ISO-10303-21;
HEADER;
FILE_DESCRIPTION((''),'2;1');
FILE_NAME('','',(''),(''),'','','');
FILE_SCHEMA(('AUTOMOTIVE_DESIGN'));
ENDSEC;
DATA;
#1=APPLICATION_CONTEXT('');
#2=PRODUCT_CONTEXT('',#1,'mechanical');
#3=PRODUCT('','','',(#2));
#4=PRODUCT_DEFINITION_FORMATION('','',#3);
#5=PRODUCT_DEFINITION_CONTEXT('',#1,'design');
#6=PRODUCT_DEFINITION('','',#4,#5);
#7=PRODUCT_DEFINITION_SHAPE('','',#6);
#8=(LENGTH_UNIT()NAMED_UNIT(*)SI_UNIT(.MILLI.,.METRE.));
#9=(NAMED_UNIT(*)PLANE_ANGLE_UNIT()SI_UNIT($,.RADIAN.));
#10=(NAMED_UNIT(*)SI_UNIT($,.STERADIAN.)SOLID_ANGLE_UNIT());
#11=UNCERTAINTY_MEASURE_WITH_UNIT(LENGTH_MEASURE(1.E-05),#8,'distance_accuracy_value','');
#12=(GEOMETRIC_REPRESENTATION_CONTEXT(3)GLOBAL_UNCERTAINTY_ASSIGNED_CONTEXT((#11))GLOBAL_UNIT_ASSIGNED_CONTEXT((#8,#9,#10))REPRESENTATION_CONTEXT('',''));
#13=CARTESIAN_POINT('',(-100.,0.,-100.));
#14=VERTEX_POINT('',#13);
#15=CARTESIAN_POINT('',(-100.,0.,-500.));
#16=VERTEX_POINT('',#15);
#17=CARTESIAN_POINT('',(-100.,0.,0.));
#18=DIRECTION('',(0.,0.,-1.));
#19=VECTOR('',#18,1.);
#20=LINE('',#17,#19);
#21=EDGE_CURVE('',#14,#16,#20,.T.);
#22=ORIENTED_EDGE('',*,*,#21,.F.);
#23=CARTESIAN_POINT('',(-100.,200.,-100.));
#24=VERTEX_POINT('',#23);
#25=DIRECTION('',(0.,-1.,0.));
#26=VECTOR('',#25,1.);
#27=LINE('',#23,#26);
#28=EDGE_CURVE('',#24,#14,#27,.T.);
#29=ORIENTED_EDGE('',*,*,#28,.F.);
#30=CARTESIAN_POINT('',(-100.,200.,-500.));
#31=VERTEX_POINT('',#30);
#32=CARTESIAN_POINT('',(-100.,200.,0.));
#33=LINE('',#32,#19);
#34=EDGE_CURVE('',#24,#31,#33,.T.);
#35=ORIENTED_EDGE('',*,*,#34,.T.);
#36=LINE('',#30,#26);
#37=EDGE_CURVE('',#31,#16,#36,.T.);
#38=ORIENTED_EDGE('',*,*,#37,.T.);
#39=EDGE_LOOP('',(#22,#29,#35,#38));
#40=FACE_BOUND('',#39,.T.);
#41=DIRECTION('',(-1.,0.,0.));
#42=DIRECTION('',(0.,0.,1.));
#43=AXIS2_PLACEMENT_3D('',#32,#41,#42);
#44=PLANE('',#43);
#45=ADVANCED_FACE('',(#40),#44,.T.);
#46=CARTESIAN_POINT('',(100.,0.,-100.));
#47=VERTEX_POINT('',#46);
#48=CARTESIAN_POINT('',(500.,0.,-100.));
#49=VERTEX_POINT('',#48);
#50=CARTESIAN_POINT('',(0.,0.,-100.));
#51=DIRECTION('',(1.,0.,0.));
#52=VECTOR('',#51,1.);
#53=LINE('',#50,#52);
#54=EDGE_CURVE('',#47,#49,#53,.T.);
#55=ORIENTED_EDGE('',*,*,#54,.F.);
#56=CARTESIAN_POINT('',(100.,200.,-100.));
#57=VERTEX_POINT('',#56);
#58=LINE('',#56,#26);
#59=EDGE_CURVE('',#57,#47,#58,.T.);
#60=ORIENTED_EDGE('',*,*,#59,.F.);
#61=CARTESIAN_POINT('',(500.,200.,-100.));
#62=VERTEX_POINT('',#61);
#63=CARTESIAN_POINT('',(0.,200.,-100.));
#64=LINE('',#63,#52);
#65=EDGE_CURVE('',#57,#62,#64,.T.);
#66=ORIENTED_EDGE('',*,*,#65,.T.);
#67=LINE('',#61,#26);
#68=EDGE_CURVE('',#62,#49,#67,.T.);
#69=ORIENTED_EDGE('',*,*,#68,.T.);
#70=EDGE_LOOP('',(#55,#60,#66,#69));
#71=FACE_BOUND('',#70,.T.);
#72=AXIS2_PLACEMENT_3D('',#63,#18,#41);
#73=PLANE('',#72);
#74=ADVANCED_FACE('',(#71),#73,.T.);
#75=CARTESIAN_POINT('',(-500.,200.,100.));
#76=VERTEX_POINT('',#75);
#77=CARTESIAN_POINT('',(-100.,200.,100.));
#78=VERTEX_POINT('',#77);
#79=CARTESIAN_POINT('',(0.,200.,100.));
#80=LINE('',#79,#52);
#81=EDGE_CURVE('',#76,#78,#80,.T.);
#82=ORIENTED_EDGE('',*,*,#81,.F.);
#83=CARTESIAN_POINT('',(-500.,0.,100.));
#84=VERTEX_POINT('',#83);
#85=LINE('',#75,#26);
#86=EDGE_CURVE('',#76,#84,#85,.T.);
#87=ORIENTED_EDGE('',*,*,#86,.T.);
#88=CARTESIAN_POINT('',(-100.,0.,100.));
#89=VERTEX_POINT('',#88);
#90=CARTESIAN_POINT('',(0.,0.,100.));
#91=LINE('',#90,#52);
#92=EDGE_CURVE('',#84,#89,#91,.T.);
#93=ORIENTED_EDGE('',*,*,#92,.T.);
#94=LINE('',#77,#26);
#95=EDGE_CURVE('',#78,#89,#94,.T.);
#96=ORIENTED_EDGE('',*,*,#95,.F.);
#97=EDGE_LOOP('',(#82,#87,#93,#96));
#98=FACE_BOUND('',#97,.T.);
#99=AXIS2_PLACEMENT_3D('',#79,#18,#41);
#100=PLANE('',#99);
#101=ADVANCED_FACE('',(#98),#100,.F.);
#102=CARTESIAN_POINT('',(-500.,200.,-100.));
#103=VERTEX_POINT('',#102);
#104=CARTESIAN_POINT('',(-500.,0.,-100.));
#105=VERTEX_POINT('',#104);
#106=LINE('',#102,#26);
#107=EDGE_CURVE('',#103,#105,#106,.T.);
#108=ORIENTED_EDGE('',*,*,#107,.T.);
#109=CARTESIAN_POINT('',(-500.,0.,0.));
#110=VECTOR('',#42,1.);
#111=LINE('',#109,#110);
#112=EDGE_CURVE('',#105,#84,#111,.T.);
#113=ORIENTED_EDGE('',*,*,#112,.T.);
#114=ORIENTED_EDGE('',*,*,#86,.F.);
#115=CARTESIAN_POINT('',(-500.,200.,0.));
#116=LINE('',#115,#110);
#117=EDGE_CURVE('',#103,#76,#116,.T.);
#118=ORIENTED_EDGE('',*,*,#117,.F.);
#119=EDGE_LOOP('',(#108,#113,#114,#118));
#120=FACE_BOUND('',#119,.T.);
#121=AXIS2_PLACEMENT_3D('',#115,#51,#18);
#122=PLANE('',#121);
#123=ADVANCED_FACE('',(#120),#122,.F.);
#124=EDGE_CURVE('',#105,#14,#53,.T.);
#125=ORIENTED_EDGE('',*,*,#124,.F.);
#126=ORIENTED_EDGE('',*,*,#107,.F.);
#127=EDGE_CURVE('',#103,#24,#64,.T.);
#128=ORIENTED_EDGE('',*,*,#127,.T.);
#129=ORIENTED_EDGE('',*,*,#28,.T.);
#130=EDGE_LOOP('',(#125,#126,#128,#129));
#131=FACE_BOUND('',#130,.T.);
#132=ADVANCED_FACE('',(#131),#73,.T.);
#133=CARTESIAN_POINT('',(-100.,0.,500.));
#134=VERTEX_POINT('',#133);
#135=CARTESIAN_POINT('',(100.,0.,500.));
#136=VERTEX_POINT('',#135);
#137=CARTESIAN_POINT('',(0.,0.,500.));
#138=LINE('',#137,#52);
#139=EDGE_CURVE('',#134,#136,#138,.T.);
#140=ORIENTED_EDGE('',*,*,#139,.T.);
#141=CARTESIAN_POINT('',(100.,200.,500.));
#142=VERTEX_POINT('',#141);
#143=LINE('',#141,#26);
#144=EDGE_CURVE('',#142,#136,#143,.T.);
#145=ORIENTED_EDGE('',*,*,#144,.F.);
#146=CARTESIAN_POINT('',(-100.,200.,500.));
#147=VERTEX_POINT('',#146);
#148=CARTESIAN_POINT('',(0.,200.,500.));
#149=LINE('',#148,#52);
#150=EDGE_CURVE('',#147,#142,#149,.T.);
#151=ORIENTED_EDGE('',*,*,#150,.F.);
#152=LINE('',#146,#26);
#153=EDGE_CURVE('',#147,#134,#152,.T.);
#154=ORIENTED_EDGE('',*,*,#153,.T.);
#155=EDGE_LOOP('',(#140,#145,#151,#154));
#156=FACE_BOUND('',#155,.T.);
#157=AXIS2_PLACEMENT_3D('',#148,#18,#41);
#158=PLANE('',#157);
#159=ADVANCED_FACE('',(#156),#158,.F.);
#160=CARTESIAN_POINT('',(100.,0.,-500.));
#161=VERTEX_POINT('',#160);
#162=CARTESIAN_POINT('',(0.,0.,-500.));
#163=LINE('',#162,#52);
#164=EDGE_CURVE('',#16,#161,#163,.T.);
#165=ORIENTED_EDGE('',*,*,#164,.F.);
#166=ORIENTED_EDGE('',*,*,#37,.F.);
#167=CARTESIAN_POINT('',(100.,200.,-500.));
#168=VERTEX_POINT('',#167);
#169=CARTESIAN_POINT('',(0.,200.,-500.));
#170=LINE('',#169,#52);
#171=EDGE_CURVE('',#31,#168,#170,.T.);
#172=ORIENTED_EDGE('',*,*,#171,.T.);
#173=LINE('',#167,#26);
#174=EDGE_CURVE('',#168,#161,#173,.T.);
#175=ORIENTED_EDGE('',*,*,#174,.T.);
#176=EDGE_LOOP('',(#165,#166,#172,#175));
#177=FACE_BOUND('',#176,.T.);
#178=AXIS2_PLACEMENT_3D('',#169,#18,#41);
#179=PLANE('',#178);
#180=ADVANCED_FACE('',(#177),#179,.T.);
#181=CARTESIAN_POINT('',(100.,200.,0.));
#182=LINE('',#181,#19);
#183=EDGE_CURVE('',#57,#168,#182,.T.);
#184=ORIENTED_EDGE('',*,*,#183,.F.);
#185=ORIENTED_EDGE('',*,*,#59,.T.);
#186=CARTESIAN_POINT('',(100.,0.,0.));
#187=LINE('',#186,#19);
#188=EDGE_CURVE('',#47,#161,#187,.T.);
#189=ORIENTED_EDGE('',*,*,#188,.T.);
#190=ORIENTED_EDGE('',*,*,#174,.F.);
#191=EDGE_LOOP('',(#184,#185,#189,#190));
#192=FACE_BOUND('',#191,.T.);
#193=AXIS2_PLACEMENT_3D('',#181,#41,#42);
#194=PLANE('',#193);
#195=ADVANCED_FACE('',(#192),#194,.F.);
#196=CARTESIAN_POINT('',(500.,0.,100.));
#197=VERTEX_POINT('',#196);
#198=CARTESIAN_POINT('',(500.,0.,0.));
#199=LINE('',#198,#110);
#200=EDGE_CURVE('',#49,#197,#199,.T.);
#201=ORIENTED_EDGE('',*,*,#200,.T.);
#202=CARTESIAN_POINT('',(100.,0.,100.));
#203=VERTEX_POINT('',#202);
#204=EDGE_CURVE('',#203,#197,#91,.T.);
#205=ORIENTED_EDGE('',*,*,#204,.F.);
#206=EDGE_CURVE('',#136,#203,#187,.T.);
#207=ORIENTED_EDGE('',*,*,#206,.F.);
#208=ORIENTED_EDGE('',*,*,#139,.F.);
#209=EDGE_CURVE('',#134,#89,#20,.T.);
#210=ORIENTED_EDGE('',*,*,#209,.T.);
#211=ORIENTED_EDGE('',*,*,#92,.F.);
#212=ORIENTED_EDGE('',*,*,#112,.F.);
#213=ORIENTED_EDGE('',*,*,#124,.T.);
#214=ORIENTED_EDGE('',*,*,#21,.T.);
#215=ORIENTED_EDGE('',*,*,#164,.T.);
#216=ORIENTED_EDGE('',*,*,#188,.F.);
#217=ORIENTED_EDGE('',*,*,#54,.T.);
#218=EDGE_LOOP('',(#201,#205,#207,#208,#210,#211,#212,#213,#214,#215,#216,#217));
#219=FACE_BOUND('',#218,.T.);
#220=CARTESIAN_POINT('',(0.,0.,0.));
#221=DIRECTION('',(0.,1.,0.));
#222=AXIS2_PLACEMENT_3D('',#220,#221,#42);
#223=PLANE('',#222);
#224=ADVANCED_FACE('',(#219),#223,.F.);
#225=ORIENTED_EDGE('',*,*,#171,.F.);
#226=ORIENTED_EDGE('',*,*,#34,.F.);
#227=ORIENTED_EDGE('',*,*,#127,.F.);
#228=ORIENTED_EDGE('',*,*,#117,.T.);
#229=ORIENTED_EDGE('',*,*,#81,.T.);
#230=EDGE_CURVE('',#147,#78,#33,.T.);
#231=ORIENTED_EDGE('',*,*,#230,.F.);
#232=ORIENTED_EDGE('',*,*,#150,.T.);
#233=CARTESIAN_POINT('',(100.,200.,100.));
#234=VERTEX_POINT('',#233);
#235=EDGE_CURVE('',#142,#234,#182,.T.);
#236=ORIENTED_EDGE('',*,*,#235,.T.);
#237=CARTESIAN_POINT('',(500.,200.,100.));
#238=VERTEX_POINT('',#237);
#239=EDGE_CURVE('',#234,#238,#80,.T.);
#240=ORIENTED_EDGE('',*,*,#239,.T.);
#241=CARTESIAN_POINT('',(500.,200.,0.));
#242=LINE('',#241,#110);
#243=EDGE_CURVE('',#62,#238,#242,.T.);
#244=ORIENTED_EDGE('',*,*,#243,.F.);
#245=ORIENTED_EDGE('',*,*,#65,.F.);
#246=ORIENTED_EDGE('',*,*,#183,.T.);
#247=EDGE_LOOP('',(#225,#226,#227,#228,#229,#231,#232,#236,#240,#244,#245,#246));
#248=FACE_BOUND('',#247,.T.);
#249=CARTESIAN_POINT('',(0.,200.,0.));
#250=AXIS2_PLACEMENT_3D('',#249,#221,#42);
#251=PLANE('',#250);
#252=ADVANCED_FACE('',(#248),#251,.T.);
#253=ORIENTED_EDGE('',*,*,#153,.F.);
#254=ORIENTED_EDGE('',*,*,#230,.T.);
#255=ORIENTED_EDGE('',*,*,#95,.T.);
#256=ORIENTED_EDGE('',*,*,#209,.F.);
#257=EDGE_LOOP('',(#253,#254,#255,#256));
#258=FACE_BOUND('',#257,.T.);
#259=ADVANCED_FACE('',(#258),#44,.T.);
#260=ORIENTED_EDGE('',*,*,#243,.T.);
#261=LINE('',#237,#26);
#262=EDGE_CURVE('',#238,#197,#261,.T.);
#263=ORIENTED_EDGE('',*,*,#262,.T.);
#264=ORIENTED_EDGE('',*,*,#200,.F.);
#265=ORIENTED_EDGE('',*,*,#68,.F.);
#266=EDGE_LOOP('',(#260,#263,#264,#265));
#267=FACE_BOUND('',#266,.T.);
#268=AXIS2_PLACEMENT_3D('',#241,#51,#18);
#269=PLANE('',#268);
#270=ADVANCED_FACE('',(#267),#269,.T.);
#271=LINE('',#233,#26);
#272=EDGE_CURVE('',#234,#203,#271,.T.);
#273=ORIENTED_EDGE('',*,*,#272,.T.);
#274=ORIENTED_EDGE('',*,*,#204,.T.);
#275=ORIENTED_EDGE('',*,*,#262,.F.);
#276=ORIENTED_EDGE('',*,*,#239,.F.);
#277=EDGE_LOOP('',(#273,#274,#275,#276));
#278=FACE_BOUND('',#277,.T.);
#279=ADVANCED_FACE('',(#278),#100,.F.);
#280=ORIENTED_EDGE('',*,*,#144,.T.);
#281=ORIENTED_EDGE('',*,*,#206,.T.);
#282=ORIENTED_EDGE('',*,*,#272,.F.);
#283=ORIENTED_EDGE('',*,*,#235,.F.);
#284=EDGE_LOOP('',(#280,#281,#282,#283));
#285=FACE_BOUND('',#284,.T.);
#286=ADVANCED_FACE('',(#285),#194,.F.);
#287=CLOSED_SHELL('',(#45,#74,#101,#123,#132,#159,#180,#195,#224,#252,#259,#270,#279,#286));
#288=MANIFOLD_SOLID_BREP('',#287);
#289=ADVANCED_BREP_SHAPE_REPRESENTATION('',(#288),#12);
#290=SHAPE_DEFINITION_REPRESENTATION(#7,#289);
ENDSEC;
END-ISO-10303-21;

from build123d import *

# Parameters (mm, degrees)
SKETCH_1_W      = 400
SKETCH_1_H      = 200
SKETCH_1_W_2    = 200
SKETCH_1_H_2    = 400
EXTRUDE_1_DEPTH = 200


with BuildPart() as part:
    # 草圖1 → 填料-伸長1 (new body)
    with BuildSketch(Plane(origin=(0, 0, 0), x_dir=(1, 0, 0), z_dir=(0, 1, 0))):
        with Locations((-300, 0)):
            Rectangle(SKETCH_1_W, SKETCH_1_H)
        Rectangle(SKETCH_1_W_2, SKETCH_1_H)
        with Locations((300, 0)):
            Rectangle(SKETCH_1_W, SKETCH_1_H)
        with Locations((0, -300)):
            Rectangle(SKETCH_1_W_2, SKETCH_1_H_2)
        with Locations((0, 300)):
            Rectangle(SKETCH_1_W_2, SKETCH_1_H_2)
    extrude(amount=EXTRUDE_1_DEPTH)


solid = part.part
